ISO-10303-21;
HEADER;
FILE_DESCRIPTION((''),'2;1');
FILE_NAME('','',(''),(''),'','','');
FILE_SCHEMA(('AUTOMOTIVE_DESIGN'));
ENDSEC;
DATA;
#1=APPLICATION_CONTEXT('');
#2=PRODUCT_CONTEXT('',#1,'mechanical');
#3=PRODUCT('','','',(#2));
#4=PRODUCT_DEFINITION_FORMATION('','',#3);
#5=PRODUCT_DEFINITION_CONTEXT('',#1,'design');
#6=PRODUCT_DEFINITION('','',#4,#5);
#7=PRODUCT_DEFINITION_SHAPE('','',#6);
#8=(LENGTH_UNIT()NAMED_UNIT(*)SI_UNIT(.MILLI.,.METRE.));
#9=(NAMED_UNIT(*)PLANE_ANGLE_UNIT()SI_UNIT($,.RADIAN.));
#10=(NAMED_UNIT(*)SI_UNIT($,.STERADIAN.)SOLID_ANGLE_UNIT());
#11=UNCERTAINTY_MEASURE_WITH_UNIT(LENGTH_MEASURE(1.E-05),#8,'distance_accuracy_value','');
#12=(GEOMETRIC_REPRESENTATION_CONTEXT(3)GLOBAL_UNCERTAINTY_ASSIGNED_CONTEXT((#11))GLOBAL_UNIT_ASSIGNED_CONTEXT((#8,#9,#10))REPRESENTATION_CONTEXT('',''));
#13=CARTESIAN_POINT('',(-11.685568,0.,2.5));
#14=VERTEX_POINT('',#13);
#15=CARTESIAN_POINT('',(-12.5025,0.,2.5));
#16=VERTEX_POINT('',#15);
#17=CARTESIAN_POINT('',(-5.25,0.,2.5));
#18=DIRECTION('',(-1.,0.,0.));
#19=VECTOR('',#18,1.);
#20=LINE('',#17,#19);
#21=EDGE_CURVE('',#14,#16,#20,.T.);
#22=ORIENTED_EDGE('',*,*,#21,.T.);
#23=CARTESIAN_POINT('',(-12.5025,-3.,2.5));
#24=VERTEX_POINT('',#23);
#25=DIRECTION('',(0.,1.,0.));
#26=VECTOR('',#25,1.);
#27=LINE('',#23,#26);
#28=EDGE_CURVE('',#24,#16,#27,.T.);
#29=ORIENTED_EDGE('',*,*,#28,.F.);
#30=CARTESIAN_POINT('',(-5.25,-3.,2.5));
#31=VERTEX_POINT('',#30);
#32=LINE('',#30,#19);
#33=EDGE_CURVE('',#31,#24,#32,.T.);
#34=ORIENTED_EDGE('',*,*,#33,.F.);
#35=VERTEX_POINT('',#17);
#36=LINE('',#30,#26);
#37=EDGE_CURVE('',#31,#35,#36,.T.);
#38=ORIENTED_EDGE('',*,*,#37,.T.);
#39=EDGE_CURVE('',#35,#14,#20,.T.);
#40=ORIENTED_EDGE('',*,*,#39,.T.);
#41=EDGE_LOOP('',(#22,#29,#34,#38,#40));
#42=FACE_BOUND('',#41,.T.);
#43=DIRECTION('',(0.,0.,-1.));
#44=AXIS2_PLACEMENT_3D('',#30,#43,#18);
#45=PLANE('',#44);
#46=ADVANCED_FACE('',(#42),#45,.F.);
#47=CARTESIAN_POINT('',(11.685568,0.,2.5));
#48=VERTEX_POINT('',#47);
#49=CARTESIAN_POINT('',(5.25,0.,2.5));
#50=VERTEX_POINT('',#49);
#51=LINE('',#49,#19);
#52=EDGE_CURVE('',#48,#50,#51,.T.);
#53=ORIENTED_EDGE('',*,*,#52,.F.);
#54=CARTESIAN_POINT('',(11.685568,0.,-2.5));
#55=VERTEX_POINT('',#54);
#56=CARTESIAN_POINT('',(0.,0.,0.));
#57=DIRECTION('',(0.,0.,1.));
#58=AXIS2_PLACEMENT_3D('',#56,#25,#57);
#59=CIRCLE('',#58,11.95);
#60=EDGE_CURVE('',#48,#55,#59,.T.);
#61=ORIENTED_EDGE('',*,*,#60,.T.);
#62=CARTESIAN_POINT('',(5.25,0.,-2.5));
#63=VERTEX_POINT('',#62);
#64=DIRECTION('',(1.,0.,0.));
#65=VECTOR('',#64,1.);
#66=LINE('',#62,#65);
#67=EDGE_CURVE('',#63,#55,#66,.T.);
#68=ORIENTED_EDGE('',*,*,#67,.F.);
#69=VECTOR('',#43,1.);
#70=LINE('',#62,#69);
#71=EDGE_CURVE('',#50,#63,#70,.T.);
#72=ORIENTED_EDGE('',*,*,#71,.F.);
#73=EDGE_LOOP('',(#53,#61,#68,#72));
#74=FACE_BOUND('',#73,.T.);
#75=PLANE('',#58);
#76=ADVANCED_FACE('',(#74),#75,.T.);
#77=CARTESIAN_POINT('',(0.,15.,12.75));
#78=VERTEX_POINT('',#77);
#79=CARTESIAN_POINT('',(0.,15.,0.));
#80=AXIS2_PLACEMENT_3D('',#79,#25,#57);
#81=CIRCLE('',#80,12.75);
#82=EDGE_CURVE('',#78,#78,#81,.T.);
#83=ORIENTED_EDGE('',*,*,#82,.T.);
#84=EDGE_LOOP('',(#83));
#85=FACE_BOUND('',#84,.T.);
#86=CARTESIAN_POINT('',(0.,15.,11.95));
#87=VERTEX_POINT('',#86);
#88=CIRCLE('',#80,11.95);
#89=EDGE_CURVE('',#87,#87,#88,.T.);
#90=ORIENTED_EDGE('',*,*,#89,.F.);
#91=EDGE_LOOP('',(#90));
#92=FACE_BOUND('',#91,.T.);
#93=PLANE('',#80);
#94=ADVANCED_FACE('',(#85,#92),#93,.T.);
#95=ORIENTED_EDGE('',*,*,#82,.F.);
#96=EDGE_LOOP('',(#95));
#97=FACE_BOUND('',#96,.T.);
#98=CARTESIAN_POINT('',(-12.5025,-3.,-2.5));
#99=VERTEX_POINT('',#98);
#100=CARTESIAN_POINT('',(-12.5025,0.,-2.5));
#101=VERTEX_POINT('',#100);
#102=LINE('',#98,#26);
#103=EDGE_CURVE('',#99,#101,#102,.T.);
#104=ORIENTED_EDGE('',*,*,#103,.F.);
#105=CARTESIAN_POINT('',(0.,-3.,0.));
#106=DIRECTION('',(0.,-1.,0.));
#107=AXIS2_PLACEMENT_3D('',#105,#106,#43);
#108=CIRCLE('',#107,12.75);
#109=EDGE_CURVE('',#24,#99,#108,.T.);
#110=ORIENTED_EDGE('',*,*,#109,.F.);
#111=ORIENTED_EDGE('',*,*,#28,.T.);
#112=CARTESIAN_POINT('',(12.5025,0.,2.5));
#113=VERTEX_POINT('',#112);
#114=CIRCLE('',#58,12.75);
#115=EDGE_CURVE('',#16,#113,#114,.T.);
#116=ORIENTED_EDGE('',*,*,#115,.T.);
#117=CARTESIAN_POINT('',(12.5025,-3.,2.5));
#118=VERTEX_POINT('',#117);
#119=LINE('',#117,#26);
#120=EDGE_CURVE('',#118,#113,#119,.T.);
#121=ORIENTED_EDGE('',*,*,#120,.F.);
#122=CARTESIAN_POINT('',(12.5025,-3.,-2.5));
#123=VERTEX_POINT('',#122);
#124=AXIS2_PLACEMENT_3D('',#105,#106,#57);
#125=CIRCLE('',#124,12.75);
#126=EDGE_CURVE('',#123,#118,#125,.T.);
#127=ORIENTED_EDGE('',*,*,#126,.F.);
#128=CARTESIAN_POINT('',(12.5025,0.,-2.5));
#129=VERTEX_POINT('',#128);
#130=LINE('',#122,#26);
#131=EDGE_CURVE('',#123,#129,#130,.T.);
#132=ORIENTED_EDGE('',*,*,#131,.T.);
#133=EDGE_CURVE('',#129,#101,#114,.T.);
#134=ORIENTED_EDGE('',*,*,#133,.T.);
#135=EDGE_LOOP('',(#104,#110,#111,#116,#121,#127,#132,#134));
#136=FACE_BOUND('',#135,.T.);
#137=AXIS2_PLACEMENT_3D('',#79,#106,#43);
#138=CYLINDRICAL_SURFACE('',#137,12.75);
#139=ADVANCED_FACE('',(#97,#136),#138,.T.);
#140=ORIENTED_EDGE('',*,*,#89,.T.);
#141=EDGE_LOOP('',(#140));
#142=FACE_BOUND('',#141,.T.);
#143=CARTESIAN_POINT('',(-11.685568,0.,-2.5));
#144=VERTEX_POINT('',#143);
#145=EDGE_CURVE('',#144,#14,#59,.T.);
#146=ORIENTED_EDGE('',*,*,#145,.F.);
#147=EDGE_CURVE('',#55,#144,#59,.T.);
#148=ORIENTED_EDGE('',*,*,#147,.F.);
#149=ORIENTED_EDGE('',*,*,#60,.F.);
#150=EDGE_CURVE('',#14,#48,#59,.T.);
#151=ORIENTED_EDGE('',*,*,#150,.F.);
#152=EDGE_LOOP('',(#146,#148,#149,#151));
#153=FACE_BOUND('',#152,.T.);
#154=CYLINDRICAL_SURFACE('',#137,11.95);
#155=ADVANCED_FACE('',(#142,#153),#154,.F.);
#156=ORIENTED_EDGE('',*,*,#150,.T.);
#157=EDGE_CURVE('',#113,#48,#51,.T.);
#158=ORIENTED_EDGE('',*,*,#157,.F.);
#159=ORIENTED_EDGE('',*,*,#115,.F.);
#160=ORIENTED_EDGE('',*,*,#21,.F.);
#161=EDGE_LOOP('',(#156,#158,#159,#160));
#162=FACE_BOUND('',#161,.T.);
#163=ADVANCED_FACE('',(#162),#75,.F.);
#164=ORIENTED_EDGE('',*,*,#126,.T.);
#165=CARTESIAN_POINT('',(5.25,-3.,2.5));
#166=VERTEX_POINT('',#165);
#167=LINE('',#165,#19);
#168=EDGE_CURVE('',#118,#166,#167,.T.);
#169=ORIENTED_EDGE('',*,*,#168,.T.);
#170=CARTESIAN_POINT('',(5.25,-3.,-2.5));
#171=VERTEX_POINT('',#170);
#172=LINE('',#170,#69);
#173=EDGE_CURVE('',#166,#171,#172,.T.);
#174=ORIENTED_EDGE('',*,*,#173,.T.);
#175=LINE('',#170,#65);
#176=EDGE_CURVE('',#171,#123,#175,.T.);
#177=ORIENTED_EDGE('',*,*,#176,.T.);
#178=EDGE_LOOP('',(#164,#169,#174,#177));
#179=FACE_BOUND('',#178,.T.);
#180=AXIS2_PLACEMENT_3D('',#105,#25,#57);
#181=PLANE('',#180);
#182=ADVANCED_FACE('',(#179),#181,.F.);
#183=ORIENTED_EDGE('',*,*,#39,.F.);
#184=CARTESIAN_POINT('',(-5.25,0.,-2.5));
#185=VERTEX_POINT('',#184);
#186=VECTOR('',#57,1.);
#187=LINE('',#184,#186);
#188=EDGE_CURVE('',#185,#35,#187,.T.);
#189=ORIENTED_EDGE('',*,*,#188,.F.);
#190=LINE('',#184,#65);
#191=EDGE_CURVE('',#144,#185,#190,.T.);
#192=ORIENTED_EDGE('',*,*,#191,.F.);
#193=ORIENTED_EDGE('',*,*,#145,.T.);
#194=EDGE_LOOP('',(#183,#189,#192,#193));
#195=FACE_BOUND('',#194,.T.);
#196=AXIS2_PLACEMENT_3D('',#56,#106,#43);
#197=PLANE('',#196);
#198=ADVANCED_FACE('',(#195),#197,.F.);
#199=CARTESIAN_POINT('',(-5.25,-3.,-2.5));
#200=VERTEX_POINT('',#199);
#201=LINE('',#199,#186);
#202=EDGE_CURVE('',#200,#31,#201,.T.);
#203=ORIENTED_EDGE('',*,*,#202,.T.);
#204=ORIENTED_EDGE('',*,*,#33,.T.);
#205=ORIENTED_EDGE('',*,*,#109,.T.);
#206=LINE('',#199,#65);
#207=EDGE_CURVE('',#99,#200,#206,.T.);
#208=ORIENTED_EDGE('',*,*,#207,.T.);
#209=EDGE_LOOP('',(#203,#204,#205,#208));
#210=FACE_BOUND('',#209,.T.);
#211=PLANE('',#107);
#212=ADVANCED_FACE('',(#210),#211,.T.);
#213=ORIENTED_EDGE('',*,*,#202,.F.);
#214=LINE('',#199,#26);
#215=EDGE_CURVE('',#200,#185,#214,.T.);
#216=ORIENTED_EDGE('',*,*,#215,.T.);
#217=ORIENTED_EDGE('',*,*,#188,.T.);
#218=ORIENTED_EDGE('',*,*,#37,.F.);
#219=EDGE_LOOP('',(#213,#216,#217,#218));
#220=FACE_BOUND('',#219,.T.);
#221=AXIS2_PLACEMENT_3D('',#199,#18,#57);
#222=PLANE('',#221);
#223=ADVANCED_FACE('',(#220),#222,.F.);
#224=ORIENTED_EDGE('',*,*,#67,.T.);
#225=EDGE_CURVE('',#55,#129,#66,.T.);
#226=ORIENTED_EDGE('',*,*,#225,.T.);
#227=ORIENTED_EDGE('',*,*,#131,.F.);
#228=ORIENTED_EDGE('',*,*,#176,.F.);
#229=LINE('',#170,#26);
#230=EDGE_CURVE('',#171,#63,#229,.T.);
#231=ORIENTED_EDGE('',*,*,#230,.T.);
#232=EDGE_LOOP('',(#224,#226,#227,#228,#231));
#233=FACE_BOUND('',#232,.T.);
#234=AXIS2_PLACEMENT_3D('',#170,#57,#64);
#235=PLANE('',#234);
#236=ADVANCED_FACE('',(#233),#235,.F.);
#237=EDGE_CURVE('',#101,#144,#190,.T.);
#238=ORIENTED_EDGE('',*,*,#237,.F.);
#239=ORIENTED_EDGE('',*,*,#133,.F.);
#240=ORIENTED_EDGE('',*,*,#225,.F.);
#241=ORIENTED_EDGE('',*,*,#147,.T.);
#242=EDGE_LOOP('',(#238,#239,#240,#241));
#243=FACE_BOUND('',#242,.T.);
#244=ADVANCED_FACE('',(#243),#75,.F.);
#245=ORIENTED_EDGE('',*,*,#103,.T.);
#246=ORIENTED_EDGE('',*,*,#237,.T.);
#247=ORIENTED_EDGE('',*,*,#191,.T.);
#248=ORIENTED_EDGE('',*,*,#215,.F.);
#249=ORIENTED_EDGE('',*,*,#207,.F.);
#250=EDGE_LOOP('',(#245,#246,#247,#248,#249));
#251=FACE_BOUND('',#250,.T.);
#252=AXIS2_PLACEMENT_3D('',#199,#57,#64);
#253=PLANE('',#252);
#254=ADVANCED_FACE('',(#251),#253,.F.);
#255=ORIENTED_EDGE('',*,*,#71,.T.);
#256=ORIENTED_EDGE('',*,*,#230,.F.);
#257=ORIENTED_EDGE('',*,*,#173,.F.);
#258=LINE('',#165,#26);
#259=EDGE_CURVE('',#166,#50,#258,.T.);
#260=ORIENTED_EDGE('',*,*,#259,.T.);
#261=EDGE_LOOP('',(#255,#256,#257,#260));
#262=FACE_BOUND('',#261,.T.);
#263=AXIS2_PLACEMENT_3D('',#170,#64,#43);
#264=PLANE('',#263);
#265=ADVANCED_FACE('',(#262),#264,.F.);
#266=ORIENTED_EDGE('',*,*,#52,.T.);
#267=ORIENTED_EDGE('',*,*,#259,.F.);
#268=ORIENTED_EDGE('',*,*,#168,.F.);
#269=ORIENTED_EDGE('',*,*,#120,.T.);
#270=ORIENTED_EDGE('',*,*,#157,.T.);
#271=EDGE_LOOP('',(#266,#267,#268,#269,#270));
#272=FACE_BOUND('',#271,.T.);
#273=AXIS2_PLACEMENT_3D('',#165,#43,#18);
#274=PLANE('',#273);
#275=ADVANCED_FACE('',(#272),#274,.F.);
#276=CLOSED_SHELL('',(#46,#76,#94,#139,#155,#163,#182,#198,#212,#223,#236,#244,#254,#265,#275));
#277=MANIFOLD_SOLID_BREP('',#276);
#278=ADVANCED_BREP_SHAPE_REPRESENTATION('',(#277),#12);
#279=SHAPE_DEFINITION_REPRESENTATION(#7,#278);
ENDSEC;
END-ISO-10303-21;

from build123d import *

# Parameters (mm, degrees)
SKETCH2_R           = 12.75
SKETCH2_R_2         = 11.95
BOSS_EXTRUDE1_DEPTH = 15
BOSS_EXTRUDE2_DEPTH = 3


with BuildPart() as part:
    # Sketch2 → Boss-Extrude1 (new body)
    with BuildSketch(Plane(origin=(0, 0, 0), x_dir=(1, 0, 0), z_dir=(0, 1, 0))):
        Circle(SKETCH2_R)
        Circle(SKETCH2_R_2, mode=Mode.SUBTRACT)
    extrude(amount=BOSS_EXTRUDE1_DEPTH)

    # Sketch3 → Boss-Extrude2 (add)
    with BuildSketch(Plane.XZ):
        with BuildLine():
            Line((5.25, -2.5), (5.25, 2.5))
            Line((5.25, 2.5), (12.5025, 2.5))
            ThreePointArc((12.5025, 2.5), (12.75, 0), (12.5025, -2.5))
            Line((12.5025, -2.5), (5.25, -2.5))
        make_face()
        with BuildLine():
            Line((-5.25, -2.5), (-12.5025, -2.5))
            ThreePointArc((-12.5025, -2.5), (-12.75, 0), (-12.5025, 2.5))
            Line((-12.5025, 2.5), (-5.25, 2.5))
            Line((-5.25, 2.5), (-5.25, -2.5))
        make_face()
    extrude(amount=BOSS_EXTRUDE2_DEPTH)


solid = part.part
